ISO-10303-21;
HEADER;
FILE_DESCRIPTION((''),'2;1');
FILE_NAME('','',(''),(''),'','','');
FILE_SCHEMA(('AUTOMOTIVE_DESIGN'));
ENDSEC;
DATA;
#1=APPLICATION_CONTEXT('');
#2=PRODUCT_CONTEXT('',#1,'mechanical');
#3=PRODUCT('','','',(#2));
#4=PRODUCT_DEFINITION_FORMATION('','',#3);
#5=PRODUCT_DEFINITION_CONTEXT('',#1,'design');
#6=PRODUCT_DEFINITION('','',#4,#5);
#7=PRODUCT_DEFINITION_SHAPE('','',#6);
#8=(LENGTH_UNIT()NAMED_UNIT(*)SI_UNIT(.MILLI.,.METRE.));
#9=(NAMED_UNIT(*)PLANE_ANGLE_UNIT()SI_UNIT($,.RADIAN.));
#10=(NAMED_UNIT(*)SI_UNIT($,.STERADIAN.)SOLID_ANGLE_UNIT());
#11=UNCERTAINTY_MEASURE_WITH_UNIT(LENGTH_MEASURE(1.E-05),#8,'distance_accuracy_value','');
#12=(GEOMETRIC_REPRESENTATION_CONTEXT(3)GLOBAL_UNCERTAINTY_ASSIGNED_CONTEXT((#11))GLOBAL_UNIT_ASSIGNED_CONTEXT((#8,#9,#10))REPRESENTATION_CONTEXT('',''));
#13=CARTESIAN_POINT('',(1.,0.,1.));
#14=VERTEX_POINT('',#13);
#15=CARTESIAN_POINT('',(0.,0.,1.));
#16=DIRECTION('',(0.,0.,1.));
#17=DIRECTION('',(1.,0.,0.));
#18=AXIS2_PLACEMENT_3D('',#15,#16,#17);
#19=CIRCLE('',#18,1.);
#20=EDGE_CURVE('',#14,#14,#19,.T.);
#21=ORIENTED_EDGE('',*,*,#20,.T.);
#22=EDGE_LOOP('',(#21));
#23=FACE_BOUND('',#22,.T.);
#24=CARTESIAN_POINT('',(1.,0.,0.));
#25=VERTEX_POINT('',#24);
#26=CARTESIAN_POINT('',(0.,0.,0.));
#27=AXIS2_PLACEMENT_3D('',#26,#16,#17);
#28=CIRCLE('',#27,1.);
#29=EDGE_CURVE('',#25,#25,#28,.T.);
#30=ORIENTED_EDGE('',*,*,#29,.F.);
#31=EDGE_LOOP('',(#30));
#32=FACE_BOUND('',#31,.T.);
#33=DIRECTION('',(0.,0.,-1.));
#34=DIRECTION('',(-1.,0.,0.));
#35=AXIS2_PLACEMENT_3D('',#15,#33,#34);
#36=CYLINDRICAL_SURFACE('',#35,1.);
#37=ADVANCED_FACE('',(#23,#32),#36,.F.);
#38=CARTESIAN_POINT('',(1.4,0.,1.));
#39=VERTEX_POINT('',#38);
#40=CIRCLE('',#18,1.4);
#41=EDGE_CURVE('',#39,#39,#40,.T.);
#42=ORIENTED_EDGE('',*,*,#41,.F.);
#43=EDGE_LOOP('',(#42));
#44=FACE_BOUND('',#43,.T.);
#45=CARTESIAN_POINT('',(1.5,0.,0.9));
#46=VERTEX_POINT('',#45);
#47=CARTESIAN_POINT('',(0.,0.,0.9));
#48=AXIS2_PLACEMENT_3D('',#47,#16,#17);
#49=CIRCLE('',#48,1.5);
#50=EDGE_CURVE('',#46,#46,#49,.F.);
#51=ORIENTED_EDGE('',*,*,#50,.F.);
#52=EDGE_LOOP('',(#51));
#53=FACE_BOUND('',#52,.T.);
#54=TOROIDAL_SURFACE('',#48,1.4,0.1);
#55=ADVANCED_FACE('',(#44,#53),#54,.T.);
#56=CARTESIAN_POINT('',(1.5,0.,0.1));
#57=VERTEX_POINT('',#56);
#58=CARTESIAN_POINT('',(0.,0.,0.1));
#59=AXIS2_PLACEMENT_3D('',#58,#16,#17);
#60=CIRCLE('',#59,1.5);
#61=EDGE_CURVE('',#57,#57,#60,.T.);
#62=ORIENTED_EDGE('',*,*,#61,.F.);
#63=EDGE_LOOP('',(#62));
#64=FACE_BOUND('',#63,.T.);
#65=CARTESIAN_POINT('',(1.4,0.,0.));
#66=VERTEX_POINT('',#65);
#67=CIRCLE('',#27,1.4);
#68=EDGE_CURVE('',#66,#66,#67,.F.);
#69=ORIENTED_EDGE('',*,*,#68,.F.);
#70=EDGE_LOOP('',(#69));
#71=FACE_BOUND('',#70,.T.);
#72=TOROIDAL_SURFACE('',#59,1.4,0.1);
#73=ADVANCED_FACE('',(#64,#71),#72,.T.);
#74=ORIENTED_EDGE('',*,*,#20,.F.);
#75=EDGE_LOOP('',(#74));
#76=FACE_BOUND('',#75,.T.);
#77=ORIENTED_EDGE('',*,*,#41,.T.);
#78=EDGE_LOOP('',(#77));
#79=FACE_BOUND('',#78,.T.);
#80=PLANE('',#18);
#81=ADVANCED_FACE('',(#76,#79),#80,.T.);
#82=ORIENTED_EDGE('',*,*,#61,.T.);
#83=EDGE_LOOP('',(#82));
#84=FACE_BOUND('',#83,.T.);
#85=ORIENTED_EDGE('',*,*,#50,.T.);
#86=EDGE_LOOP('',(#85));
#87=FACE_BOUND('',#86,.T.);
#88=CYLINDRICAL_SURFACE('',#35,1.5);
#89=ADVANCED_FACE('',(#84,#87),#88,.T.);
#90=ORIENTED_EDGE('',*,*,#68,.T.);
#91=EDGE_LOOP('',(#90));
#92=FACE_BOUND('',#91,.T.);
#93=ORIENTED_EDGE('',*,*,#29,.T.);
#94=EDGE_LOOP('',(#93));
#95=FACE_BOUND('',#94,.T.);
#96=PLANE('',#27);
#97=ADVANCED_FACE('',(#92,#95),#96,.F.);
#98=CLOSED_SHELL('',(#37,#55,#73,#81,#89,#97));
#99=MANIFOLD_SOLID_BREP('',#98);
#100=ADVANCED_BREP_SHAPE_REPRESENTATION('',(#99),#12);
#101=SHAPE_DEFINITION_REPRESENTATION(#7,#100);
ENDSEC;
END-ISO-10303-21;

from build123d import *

# Parameters (mm, degrees)
SKETCH1_R           = 1.5
SKETCH1_R_2         = 1
BOSS_EXTRUDE1_DEPTH = 1
FILLET1_R           = 0.1


with BuildPart() as part:
    # Sketch1 → Boss-Extrude1 (new body)
    with BuildSketch(Plane.XY):
        Circle(SKETCH1_R)
        Circle(SKETCH1_R_2, mode=Mode.SUBTRACT)
    extrude(amount=BOSS_EXTRUDE1_DEPTH)

    # Fillet1
    fillet1_edges = [part.edges().sort_by_distance(p)[0] for p in [
        (-1.5, 0, 0),
        (-1.5, 0, 1),
    ]]
    fillet(fillet1_edges, radius=FILLET1_R)


solid = part.part
